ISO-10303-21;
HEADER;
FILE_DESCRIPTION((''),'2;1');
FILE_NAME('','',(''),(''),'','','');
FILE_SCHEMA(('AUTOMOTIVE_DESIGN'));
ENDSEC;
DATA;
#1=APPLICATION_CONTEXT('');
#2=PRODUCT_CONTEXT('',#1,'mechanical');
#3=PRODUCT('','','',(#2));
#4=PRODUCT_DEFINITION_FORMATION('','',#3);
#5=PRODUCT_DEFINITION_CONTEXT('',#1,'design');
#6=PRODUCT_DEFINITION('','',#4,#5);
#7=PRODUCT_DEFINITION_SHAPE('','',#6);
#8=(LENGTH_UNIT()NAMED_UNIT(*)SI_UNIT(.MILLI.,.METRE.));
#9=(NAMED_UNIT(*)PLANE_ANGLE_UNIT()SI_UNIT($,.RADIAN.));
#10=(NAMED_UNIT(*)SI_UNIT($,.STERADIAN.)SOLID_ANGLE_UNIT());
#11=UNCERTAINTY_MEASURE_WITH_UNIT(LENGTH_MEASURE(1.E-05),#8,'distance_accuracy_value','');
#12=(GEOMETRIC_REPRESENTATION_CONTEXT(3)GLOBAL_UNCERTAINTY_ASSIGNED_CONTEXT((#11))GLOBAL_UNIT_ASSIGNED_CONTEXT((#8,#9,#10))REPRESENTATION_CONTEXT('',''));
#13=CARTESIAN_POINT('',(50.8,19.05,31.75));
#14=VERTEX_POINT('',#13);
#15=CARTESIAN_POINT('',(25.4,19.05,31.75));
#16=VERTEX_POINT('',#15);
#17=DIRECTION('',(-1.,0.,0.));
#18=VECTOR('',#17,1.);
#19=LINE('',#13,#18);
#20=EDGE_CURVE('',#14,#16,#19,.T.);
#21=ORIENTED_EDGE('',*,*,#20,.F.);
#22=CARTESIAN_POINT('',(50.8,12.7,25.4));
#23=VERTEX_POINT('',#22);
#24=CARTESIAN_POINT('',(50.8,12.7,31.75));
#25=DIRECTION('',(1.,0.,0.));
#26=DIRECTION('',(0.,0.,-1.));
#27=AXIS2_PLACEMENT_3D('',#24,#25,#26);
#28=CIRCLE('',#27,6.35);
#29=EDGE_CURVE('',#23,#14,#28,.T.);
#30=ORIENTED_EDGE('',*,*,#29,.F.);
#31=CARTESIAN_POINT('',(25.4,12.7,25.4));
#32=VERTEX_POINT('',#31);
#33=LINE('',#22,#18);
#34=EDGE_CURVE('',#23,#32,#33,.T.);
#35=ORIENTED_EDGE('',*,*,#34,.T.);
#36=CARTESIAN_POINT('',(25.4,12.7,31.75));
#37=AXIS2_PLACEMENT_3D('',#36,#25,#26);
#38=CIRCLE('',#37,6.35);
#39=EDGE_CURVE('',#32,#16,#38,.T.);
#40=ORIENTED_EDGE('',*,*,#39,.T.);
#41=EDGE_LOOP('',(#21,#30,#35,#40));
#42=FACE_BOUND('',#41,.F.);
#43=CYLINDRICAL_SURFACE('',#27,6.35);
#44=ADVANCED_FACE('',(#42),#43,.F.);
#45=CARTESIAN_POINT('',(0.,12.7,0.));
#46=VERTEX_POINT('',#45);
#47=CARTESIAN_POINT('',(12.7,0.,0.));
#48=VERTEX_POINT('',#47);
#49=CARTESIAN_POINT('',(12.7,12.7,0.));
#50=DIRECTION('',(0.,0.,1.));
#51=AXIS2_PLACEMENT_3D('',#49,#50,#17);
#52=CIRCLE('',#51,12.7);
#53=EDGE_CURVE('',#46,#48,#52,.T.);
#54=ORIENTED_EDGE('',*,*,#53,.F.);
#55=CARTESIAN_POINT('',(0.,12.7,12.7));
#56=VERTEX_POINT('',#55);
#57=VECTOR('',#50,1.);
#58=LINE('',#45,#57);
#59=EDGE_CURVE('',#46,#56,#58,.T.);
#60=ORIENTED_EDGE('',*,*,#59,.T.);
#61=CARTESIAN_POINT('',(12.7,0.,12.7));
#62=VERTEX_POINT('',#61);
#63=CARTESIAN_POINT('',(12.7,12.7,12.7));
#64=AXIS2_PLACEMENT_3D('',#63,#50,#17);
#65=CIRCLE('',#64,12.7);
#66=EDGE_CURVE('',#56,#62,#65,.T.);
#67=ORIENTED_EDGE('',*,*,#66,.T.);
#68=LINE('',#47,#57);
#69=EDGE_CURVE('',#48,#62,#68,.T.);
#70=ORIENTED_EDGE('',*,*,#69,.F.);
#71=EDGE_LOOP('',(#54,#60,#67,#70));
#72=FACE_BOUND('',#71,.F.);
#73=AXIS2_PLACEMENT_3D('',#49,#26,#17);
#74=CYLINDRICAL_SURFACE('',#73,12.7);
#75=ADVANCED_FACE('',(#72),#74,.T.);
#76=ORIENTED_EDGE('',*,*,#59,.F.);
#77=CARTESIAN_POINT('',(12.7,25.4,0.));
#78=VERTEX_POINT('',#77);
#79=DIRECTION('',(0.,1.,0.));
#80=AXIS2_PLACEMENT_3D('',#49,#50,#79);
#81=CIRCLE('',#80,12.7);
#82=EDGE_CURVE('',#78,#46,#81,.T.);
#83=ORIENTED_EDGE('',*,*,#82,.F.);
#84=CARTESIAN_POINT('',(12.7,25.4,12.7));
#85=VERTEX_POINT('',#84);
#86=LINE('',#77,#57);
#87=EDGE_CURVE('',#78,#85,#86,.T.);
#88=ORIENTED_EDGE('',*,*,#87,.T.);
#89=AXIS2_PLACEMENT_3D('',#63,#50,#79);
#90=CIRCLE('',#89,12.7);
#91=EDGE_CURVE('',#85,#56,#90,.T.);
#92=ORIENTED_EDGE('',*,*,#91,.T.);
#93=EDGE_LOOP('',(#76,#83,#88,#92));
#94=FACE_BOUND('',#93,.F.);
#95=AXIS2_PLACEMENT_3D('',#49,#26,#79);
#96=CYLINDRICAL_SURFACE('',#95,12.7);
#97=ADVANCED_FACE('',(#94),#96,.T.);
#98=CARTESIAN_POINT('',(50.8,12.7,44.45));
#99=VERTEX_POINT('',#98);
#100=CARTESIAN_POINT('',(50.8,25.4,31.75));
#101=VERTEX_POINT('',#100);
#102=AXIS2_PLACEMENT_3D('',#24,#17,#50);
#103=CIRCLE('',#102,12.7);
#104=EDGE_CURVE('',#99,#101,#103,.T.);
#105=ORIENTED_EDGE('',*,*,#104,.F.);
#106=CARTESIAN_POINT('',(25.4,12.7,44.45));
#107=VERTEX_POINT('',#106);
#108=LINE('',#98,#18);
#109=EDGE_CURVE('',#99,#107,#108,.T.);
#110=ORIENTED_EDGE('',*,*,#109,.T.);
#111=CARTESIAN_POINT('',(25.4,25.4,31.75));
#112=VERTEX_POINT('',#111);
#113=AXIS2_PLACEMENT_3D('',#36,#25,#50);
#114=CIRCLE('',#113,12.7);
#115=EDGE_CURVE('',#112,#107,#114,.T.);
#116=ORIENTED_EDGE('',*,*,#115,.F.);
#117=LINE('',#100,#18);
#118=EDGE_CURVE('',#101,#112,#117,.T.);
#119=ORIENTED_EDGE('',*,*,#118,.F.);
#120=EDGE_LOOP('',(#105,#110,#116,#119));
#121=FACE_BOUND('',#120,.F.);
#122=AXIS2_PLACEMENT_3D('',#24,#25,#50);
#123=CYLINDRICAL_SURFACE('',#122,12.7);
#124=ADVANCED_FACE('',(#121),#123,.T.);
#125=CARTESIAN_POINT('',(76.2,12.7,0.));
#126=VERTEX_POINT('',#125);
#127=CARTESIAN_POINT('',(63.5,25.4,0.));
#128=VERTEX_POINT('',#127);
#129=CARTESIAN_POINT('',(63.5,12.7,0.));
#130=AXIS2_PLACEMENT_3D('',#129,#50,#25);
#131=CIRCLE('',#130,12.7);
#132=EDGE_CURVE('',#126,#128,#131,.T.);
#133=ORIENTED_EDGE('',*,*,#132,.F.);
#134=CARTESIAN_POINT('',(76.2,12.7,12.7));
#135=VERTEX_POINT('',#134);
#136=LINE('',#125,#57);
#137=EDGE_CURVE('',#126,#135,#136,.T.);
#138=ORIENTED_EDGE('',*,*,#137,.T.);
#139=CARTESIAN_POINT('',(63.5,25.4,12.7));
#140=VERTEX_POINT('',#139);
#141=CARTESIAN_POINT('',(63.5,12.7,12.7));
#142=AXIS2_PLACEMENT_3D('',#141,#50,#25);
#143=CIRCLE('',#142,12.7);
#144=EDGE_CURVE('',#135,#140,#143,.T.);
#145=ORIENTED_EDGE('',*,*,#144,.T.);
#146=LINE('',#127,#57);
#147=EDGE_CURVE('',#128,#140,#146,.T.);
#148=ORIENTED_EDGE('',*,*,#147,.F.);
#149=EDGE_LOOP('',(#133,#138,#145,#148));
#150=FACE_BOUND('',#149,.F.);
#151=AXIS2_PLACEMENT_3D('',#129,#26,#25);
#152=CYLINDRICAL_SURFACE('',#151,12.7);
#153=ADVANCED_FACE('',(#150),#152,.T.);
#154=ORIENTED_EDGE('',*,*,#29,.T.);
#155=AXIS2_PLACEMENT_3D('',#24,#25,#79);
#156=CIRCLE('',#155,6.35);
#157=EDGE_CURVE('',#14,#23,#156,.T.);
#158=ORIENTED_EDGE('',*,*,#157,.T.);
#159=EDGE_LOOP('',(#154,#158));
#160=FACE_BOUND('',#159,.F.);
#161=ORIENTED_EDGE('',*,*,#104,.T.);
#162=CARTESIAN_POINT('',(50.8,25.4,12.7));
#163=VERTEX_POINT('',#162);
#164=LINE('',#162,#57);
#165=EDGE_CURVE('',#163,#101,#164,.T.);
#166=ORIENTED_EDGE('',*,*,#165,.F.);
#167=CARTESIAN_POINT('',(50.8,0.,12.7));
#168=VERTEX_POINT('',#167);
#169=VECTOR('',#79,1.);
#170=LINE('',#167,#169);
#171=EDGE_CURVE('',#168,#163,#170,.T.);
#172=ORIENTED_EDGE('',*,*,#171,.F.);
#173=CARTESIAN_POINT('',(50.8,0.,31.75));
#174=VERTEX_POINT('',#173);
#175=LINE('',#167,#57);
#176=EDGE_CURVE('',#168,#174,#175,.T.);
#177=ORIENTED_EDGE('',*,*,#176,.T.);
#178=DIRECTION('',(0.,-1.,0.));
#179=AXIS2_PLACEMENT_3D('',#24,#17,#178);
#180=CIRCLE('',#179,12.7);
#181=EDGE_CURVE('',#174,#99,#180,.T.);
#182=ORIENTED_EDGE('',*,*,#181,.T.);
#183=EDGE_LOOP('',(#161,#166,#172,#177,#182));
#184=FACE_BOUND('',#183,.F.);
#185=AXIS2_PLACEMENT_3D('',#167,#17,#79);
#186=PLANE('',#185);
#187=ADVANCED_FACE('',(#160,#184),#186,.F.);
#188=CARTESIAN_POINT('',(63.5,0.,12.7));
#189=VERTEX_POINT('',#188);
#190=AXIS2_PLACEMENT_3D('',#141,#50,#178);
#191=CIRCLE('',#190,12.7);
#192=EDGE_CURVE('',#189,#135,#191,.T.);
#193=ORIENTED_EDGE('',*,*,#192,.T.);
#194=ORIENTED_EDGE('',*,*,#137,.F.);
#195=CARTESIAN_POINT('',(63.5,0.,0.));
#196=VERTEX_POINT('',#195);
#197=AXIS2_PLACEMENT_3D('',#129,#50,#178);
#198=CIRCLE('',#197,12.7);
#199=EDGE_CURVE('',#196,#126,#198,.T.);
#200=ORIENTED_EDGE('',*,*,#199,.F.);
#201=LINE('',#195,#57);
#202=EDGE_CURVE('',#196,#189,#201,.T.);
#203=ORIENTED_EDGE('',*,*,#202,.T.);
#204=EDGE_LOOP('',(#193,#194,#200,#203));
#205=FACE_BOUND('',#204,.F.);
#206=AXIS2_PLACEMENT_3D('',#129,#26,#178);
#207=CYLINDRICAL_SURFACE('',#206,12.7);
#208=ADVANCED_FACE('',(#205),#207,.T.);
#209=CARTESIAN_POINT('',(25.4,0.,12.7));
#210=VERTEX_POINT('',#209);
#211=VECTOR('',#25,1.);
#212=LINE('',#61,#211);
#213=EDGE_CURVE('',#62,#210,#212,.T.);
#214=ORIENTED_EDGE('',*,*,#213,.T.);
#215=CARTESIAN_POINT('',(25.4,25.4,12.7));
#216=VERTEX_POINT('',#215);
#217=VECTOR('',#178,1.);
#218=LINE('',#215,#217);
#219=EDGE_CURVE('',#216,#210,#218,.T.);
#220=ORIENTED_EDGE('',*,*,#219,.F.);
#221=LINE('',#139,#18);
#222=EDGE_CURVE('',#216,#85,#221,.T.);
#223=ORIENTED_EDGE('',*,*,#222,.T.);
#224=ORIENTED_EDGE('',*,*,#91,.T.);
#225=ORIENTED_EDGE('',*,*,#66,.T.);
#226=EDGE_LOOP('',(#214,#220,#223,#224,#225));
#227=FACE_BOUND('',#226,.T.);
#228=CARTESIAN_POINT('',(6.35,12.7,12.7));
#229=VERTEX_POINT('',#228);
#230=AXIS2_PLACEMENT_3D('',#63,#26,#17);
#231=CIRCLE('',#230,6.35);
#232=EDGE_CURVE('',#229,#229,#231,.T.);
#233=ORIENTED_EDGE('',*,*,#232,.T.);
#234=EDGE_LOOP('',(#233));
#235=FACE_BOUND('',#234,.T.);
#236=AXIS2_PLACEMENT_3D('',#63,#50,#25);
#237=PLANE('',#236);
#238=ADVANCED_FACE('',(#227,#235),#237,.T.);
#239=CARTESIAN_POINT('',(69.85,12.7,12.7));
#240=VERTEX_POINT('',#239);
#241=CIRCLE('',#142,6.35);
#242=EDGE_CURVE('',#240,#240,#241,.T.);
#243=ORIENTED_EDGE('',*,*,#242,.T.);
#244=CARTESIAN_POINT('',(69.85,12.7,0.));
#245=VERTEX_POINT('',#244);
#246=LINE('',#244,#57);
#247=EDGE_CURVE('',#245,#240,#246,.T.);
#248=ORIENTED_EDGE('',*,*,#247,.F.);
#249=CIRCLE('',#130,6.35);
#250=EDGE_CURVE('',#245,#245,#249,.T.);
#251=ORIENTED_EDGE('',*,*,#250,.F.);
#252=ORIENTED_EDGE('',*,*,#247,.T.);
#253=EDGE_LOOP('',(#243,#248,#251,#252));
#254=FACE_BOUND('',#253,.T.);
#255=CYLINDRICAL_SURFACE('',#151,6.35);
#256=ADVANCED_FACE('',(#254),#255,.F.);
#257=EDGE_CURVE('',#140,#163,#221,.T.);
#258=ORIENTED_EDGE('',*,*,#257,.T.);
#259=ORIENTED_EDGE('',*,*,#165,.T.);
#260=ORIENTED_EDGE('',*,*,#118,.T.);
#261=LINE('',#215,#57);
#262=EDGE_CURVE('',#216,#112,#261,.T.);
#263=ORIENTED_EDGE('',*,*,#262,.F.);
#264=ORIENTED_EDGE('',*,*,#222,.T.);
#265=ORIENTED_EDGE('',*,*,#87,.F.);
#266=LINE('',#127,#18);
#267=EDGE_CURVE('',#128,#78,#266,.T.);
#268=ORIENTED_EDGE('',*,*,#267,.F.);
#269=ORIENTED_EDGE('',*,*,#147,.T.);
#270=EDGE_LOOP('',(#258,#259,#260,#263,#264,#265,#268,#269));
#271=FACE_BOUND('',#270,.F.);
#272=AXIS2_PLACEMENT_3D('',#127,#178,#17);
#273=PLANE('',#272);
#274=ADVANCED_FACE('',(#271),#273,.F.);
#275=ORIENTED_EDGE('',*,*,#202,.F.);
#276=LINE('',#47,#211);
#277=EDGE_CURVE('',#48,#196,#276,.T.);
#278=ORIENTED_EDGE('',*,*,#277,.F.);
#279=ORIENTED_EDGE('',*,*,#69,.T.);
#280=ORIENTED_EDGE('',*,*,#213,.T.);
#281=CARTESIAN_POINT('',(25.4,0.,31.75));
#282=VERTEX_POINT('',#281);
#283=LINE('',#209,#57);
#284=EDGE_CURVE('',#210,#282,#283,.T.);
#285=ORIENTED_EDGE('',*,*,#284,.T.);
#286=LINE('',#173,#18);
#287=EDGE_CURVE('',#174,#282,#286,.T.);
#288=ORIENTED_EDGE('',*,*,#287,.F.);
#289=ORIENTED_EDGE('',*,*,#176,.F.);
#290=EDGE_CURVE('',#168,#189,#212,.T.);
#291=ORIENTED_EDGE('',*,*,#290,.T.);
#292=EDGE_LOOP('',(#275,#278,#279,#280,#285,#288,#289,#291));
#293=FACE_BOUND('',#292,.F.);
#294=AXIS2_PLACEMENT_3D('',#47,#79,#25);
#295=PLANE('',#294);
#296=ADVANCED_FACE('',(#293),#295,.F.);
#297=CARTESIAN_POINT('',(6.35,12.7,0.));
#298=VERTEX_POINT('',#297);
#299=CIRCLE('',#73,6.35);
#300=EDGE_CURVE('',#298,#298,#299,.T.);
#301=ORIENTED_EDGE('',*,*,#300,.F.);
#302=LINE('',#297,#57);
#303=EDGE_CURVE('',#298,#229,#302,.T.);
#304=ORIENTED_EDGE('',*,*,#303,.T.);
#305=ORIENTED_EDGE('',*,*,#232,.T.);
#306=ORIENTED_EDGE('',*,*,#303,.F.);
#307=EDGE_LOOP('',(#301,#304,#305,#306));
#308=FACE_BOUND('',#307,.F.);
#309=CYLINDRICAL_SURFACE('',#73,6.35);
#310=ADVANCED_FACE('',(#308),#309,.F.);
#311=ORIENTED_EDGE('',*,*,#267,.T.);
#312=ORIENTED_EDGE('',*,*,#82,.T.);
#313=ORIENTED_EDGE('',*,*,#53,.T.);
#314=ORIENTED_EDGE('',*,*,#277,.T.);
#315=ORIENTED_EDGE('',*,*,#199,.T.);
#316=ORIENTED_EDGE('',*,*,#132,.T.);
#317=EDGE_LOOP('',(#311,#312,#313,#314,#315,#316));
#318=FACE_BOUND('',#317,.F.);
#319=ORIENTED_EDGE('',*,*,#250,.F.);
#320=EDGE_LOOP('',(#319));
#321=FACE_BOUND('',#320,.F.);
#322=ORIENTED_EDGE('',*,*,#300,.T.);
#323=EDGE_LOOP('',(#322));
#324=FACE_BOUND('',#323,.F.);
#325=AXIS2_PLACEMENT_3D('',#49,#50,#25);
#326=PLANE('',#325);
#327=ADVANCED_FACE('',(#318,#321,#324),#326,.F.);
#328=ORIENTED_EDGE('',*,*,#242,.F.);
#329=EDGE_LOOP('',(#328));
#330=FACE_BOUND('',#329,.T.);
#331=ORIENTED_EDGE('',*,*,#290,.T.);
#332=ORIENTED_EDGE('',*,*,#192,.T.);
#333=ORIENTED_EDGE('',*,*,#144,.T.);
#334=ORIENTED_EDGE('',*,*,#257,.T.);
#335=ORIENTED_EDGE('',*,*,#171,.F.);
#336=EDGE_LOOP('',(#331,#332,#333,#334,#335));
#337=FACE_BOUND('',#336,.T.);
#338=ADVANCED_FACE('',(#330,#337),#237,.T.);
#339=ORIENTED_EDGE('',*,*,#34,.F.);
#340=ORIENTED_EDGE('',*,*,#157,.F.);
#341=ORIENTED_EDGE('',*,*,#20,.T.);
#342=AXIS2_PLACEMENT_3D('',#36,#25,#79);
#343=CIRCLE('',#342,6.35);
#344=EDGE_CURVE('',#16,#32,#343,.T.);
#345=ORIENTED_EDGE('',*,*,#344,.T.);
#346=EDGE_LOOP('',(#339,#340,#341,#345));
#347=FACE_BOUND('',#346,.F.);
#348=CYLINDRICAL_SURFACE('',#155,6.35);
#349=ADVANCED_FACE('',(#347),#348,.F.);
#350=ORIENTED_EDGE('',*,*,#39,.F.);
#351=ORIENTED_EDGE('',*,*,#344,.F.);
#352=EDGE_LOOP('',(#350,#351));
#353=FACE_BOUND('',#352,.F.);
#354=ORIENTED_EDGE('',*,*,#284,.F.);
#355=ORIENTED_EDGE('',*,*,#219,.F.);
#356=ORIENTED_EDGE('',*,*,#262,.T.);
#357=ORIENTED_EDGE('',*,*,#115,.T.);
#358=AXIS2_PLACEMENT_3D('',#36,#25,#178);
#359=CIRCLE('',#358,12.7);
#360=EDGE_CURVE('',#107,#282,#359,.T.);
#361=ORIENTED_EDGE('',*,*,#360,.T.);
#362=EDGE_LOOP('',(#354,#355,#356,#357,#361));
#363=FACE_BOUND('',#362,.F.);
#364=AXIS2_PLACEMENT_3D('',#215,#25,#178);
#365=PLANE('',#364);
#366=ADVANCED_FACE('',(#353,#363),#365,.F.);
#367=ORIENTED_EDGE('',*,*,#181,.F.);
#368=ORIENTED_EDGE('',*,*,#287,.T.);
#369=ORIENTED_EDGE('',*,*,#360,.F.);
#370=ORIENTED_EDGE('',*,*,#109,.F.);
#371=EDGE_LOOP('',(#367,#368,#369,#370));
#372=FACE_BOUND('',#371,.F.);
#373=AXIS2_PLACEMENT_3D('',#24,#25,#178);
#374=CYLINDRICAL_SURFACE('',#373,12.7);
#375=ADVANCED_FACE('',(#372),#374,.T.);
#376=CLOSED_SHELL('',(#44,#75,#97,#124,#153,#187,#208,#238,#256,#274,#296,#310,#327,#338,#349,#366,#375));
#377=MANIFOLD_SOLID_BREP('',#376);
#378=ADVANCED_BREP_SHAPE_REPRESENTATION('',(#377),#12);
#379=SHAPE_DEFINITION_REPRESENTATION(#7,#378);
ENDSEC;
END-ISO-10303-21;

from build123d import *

# Parameters (mm, degrees)
F0_R     = 6.35
F1_DEPTH = 12.7
F3_DEPTH = 31.75
F5_DEPTH = 50.801


with BuildPart() as f1:
    # F0 (on Top) → F1 (new body)
    with BuildSketch(Plane.XY):
        with BuildLine():
            ThreePointArc((0, 12.7), (3.7197438789, 3.7197438789), (12.7, 0))
            ThreePointArc((12.7, 0), (21.6802561211, 3.7197438789), (25.4, 12.7))
            ThreePointArc((25.4, 12.7), (21.6802561211, 21.6802561211), (12.7, 25.4))
            ThreePointArc((12.7, 25.4), (3.7197438789, 21.6802561211), (0, 12.7))
        make_face()
        with BuildLine():
            ThreePointArc((19.05, 12.7), (12.7, 6.35), (6.35, 12.7))
            ThreePointArc((6.35, 12.7), (12.7, 19.05), (19.05, 12.7))
        make_face(mode=Mode.SUBTRACT)
        with BuildLine():
            ThreePointArc((25.4, 12.7), (21.6802561211, 3.7197438789), (12.7, 0))
            Line((12.7, 0), (63.5, 0))
            ThreePointArc((63.5, 0), (50.8, 12.7), (63.5, 25.4))
            Line((63.5, 25.4), (12.7, 25.4))
            ThreePointArc((12.7, 25.4), (21.6802561211, 21.6802561211), (25.4, 12.7))
        make_face()
        with BuildLine():
            ThreePointArc((63.5, 25.4), (50.8, 12.7), (63.5, 0))
            ThreePointArc((63.5, 0), (72.4802561211, 3.7197438789), (76.2, 12.7))
            ThreePointArc((76.2, 12.7), (72.4802561211, 21.6802561211), (63.5, 25.4))
        make_face()
        with Locations((63.5, 12.7)):
            Circle(F0_R, mode=Mode.SUBTRACT)
    extrude(amount=F1_DEPTH)

    # F2 (on face) → F3 (join)
    with BuildSketch(Plane.XY.offset(12.7)):
        Polygon((50.8, 0), (50.8, 12.7), (50.8, 25.4), (25.4, 25.4), (25.4, 12.7), (25.4, 0), align=None)
    extrude(amount=F3_DEPTH)

    # F4 (on face) → F5 (cut, through all)
    with BuildSketch(Plane.YZ.offset(50.8)):
        with BuildLine():
            Line((0, 44.45), (0, 31.75))
            ThreePointArc((0, 31.75), (3.7197438789, 40.7302561211), (12.7, 44.45))
            Line((12.7, 44.45), (0, 44.45))
        make_face()
        with BuildLine():
            ThreePointArc((12.7, 44.45), (21.6802561211, 40.7302561211), (25.4, 31.75))
            Line((25.4, 31.75), (25.4, 44.45))
            Line((25.4, 44.45), (12.7, 44.45))
        make_face()
        with BuildLine():
            ThreePointArc((19.05, 31.75), (8.2098719395, 36.2401280605), (12.7, 25.4))
            ThreePointArc((12.7, 25.4), (17.1901280605, 27.2598719395), (19.05, 31.75))
        make_face()
    extrude(amount=-F5_DEPTH, mode=Mode.SUBTRACT)


solid = f1.part
